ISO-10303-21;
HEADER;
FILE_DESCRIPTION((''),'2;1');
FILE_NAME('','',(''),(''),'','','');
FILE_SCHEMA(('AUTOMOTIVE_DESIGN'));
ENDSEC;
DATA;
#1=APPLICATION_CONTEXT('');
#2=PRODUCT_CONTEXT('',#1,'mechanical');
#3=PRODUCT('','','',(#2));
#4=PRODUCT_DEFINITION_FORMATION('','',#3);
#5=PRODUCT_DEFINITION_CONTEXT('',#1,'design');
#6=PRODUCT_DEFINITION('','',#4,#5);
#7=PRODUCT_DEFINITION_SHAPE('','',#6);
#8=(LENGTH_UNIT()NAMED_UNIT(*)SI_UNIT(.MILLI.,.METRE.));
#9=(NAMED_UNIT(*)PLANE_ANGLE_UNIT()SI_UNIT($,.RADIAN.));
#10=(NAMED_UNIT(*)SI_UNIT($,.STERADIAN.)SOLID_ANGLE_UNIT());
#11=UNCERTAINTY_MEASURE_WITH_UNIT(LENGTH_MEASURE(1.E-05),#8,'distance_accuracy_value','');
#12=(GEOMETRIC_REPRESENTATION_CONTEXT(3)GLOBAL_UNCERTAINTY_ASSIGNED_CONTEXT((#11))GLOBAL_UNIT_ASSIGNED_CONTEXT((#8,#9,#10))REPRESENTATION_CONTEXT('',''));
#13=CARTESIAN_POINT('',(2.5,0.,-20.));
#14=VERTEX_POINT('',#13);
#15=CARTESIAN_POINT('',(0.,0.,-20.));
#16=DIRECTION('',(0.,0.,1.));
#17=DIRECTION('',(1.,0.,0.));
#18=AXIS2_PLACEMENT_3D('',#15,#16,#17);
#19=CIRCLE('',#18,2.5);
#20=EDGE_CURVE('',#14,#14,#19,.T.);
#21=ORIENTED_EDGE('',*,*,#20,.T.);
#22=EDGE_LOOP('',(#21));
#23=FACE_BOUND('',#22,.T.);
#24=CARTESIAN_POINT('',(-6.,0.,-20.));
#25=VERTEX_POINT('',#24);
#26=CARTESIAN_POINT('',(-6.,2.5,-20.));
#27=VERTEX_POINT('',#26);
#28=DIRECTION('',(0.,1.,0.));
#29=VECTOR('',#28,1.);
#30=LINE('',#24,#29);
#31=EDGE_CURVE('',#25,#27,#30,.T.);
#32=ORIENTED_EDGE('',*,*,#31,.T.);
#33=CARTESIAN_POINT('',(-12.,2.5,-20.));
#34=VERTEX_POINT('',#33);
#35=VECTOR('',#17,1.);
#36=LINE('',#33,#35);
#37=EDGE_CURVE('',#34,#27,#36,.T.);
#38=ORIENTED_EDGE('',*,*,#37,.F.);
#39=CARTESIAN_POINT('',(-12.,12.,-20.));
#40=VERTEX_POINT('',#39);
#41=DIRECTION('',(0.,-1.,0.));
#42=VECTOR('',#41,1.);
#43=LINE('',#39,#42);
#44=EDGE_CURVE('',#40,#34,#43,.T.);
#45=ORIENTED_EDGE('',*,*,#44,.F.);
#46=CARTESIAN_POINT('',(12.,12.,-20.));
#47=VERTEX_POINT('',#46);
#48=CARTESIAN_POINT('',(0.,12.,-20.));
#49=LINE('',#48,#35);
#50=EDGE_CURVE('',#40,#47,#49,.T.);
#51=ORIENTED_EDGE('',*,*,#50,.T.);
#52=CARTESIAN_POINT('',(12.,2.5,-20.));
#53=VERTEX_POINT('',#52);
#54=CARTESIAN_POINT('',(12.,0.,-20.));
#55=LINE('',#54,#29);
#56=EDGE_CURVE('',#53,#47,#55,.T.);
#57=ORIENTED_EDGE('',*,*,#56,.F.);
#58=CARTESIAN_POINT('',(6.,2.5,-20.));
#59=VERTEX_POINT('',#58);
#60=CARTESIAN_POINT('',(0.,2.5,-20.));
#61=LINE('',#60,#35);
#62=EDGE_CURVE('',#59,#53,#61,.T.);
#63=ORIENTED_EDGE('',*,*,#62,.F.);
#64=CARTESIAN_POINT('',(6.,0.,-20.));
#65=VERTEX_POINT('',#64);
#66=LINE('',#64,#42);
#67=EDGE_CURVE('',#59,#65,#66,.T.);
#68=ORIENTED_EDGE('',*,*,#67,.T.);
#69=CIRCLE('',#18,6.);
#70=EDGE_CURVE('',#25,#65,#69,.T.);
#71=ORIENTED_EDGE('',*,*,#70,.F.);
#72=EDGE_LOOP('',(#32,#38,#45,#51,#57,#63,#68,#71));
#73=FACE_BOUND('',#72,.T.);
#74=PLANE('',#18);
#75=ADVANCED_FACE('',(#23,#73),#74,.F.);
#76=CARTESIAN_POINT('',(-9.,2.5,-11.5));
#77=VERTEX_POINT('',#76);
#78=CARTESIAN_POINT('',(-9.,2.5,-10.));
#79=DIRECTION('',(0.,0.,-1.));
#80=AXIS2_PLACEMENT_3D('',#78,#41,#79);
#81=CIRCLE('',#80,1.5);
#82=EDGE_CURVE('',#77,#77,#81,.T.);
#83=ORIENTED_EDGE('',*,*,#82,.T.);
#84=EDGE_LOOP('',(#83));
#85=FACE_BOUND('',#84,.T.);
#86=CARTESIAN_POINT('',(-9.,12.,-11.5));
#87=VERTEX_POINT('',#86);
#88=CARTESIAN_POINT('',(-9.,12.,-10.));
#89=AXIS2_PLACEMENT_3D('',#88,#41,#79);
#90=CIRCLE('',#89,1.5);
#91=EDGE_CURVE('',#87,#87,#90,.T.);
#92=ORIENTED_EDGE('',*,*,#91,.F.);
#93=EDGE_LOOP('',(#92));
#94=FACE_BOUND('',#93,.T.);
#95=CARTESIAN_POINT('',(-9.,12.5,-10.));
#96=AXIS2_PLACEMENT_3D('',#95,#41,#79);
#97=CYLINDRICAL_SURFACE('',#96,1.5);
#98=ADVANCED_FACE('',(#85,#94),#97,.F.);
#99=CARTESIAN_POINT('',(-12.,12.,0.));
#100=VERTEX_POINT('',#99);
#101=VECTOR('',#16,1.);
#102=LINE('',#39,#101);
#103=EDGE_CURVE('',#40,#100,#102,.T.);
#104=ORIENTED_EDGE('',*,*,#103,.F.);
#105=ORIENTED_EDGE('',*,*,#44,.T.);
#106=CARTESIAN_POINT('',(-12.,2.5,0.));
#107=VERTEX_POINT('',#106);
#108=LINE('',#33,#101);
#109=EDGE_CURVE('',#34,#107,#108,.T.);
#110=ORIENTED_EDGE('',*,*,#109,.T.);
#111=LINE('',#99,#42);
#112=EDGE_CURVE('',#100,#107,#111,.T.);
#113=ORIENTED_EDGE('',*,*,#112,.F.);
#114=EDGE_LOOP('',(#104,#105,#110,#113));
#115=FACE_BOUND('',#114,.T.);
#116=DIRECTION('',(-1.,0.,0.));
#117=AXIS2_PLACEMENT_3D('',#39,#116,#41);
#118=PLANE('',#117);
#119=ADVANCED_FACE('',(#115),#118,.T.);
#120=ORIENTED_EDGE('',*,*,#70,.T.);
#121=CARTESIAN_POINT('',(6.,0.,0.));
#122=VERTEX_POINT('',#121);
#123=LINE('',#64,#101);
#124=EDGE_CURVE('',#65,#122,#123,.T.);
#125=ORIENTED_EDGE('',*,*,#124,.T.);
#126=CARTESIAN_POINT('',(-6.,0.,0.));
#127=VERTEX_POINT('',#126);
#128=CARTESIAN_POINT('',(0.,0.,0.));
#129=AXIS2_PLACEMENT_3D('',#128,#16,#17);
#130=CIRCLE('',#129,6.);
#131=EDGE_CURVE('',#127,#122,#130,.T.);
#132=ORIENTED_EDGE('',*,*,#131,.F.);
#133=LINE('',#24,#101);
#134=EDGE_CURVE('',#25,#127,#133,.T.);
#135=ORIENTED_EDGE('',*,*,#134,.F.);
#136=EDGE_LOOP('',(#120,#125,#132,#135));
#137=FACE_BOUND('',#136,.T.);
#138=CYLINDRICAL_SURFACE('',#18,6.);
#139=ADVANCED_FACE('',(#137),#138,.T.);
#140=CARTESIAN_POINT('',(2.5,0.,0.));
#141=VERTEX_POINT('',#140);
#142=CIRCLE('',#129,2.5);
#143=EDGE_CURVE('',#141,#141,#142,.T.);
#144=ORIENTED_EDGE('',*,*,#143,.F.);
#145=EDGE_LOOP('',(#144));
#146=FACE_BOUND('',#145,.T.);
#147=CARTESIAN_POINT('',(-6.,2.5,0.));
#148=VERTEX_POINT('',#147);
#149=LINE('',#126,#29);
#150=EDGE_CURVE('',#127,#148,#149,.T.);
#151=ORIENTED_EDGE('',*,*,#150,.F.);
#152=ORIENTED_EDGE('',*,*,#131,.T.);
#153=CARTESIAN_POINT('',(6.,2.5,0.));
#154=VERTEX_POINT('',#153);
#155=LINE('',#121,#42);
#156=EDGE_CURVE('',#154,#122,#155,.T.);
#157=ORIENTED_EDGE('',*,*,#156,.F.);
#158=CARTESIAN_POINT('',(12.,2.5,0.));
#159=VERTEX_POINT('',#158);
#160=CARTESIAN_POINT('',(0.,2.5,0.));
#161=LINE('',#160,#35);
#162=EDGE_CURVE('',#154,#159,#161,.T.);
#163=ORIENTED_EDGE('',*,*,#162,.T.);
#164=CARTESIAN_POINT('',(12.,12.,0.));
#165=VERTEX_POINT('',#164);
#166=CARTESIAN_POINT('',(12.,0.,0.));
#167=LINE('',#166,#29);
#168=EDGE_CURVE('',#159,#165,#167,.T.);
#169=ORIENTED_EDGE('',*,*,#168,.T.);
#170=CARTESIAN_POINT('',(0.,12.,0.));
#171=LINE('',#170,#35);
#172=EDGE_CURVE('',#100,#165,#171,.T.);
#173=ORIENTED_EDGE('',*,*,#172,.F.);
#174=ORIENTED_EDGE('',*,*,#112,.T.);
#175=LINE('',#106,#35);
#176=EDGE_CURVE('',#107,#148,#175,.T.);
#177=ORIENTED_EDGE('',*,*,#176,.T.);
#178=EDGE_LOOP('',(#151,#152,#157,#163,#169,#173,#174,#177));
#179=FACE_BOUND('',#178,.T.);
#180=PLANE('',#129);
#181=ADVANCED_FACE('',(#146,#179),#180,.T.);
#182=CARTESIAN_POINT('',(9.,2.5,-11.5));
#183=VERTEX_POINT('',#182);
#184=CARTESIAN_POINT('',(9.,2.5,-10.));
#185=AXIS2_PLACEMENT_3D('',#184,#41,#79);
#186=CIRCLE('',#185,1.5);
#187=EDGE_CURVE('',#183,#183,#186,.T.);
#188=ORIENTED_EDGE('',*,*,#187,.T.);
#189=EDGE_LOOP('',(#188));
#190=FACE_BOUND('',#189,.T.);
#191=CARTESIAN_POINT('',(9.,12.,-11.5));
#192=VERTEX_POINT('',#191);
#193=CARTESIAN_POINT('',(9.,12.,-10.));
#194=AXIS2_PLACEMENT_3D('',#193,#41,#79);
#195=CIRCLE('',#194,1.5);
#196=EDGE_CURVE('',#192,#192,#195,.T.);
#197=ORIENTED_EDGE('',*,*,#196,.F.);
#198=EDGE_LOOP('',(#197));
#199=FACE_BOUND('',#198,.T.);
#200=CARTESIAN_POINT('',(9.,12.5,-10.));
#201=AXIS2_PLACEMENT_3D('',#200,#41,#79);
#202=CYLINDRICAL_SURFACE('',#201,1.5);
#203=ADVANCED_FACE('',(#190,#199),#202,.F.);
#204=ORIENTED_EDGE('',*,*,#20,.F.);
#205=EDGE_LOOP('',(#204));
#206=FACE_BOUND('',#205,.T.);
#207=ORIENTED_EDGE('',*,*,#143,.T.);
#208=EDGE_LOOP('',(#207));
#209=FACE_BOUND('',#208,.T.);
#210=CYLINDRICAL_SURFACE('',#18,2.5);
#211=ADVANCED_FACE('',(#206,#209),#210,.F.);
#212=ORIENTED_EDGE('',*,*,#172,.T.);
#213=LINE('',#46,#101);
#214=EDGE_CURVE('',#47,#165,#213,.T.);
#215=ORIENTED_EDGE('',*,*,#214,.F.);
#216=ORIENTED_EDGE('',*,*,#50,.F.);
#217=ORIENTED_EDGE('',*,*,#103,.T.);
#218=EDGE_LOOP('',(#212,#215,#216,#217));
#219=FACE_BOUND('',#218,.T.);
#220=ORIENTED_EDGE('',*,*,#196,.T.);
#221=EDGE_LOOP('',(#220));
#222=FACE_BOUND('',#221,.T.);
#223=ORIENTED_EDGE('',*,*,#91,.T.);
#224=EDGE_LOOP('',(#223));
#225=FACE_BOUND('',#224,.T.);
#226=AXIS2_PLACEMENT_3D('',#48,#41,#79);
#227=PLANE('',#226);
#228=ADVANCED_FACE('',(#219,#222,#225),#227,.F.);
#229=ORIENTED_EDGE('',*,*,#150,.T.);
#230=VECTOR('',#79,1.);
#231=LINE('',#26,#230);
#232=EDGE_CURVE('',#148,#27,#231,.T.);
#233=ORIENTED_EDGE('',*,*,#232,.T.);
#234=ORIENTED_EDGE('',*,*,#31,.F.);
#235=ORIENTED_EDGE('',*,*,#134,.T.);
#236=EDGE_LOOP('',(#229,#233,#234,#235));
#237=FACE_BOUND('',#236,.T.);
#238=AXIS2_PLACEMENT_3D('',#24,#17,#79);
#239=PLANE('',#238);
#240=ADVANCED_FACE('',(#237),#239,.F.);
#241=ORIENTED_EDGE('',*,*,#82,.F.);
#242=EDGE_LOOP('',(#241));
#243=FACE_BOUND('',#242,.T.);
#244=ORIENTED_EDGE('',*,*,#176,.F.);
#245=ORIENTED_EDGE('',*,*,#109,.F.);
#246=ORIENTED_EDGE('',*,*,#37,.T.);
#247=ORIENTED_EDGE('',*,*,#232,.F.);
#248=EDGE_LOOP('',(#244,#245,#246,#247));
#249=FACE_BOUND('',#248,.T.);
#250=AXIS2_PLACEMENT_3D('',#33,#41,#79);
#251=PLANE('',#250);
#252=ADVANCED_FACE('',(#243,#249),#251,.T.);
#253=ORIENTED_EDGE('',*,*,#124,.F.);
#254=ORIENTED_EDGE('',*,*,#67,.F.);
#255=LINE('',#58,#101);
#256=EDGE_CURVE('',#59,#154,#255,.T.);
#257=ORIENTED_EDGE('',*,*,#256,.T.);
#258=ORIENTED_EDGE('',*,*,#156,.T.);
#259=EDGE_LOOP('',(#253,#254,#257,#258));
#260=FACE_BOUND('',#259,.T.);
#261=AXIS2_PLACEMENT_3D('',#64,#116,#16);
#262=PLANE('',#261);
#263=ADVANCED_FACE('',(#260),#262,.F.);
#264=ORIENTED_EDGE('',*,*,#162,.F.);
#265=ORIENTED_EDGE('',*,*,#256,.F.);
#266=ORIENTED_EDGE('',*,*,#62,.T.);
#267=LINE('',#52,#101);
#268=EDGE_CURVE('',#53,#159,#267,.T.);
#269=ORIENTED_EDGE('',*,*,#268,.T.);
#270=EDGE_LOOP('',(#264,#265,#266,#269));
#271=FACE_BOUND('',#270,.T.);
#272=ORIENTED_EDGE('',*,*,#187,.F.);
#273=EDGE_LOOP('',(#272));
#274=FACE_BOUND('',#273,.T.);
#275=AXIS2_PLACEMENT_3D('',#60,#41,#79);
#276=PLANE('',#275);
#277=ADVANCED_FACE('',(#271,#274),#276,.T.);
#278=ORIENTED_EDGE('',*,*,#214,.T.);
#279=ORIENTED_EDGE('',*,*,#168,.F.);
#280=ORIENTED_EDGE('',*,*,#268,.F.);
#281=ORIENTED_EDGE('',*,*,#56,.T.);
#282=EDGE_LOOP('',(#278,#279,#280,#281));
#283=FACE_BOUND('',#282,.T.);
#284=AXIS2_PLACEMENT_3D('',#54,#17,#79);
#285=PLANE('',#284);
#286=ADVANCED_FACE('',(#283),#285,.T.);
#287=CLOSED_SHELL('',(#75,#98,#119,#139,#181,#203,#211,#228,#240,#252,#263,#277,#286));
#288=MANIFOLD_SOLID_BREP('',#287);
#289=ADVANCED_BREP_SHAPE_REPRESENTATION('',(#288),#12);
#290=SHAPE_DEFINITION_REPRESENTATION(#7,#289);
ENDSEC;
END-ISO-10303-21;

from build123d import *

# Parameters (mm, degrees)
ESQUISSE1_R             = 2.5
BOSS_EXTRU_1_DEPTH      = 20
ESQUISSE2_R             = 1.5
ENL_V_MAT_EXTRU_1_DEPTH = 10


with BuildPart() as part:
    # Esquisse1 → Boss.-Extru.1 (new body)
    with BuildSketch(Plane.XY):
        with BuildLine():
            ThreePointArc((-6, 0), (0, -6), (6, 0))
            Line((6, 0), (6, 2.5))
            Line((6, 2.5), (12, 2.5))
            Line((12, 2.5), (12, 12))
            Line((12, 12), (-12, 12))
            Line((-12, 12), (-12, 2.5))
            Line((-12, 2.5), (-6, 2.5))
            Line((-6, 2.5), (-6, 0))
        make_face()
        Circle(ESQUISSE1_R, mode=Mode.SUBTRACT)
    extrude(amount=-BOSS_EXTRU_1_DEPTH)

    # Esquisse2 → Enlèv. mat.-Extru.1 (cut)
    with BuildSketch(Plane.XZ.offset(-2.5)):
        with Locations(Location((-9, -10, 0), (0, 0, 270))):
            Circle(ESQUISSE2_R)
        with Locations(Location((9, -10, 0), (0, 0, 270))):
            Circle(ESQUISSE2_R)
    extrude(amount=-ENL_V_MAT_EXTRU_1_DEPTH, mode=Mode.SUBTRACT)


solid = part.part
